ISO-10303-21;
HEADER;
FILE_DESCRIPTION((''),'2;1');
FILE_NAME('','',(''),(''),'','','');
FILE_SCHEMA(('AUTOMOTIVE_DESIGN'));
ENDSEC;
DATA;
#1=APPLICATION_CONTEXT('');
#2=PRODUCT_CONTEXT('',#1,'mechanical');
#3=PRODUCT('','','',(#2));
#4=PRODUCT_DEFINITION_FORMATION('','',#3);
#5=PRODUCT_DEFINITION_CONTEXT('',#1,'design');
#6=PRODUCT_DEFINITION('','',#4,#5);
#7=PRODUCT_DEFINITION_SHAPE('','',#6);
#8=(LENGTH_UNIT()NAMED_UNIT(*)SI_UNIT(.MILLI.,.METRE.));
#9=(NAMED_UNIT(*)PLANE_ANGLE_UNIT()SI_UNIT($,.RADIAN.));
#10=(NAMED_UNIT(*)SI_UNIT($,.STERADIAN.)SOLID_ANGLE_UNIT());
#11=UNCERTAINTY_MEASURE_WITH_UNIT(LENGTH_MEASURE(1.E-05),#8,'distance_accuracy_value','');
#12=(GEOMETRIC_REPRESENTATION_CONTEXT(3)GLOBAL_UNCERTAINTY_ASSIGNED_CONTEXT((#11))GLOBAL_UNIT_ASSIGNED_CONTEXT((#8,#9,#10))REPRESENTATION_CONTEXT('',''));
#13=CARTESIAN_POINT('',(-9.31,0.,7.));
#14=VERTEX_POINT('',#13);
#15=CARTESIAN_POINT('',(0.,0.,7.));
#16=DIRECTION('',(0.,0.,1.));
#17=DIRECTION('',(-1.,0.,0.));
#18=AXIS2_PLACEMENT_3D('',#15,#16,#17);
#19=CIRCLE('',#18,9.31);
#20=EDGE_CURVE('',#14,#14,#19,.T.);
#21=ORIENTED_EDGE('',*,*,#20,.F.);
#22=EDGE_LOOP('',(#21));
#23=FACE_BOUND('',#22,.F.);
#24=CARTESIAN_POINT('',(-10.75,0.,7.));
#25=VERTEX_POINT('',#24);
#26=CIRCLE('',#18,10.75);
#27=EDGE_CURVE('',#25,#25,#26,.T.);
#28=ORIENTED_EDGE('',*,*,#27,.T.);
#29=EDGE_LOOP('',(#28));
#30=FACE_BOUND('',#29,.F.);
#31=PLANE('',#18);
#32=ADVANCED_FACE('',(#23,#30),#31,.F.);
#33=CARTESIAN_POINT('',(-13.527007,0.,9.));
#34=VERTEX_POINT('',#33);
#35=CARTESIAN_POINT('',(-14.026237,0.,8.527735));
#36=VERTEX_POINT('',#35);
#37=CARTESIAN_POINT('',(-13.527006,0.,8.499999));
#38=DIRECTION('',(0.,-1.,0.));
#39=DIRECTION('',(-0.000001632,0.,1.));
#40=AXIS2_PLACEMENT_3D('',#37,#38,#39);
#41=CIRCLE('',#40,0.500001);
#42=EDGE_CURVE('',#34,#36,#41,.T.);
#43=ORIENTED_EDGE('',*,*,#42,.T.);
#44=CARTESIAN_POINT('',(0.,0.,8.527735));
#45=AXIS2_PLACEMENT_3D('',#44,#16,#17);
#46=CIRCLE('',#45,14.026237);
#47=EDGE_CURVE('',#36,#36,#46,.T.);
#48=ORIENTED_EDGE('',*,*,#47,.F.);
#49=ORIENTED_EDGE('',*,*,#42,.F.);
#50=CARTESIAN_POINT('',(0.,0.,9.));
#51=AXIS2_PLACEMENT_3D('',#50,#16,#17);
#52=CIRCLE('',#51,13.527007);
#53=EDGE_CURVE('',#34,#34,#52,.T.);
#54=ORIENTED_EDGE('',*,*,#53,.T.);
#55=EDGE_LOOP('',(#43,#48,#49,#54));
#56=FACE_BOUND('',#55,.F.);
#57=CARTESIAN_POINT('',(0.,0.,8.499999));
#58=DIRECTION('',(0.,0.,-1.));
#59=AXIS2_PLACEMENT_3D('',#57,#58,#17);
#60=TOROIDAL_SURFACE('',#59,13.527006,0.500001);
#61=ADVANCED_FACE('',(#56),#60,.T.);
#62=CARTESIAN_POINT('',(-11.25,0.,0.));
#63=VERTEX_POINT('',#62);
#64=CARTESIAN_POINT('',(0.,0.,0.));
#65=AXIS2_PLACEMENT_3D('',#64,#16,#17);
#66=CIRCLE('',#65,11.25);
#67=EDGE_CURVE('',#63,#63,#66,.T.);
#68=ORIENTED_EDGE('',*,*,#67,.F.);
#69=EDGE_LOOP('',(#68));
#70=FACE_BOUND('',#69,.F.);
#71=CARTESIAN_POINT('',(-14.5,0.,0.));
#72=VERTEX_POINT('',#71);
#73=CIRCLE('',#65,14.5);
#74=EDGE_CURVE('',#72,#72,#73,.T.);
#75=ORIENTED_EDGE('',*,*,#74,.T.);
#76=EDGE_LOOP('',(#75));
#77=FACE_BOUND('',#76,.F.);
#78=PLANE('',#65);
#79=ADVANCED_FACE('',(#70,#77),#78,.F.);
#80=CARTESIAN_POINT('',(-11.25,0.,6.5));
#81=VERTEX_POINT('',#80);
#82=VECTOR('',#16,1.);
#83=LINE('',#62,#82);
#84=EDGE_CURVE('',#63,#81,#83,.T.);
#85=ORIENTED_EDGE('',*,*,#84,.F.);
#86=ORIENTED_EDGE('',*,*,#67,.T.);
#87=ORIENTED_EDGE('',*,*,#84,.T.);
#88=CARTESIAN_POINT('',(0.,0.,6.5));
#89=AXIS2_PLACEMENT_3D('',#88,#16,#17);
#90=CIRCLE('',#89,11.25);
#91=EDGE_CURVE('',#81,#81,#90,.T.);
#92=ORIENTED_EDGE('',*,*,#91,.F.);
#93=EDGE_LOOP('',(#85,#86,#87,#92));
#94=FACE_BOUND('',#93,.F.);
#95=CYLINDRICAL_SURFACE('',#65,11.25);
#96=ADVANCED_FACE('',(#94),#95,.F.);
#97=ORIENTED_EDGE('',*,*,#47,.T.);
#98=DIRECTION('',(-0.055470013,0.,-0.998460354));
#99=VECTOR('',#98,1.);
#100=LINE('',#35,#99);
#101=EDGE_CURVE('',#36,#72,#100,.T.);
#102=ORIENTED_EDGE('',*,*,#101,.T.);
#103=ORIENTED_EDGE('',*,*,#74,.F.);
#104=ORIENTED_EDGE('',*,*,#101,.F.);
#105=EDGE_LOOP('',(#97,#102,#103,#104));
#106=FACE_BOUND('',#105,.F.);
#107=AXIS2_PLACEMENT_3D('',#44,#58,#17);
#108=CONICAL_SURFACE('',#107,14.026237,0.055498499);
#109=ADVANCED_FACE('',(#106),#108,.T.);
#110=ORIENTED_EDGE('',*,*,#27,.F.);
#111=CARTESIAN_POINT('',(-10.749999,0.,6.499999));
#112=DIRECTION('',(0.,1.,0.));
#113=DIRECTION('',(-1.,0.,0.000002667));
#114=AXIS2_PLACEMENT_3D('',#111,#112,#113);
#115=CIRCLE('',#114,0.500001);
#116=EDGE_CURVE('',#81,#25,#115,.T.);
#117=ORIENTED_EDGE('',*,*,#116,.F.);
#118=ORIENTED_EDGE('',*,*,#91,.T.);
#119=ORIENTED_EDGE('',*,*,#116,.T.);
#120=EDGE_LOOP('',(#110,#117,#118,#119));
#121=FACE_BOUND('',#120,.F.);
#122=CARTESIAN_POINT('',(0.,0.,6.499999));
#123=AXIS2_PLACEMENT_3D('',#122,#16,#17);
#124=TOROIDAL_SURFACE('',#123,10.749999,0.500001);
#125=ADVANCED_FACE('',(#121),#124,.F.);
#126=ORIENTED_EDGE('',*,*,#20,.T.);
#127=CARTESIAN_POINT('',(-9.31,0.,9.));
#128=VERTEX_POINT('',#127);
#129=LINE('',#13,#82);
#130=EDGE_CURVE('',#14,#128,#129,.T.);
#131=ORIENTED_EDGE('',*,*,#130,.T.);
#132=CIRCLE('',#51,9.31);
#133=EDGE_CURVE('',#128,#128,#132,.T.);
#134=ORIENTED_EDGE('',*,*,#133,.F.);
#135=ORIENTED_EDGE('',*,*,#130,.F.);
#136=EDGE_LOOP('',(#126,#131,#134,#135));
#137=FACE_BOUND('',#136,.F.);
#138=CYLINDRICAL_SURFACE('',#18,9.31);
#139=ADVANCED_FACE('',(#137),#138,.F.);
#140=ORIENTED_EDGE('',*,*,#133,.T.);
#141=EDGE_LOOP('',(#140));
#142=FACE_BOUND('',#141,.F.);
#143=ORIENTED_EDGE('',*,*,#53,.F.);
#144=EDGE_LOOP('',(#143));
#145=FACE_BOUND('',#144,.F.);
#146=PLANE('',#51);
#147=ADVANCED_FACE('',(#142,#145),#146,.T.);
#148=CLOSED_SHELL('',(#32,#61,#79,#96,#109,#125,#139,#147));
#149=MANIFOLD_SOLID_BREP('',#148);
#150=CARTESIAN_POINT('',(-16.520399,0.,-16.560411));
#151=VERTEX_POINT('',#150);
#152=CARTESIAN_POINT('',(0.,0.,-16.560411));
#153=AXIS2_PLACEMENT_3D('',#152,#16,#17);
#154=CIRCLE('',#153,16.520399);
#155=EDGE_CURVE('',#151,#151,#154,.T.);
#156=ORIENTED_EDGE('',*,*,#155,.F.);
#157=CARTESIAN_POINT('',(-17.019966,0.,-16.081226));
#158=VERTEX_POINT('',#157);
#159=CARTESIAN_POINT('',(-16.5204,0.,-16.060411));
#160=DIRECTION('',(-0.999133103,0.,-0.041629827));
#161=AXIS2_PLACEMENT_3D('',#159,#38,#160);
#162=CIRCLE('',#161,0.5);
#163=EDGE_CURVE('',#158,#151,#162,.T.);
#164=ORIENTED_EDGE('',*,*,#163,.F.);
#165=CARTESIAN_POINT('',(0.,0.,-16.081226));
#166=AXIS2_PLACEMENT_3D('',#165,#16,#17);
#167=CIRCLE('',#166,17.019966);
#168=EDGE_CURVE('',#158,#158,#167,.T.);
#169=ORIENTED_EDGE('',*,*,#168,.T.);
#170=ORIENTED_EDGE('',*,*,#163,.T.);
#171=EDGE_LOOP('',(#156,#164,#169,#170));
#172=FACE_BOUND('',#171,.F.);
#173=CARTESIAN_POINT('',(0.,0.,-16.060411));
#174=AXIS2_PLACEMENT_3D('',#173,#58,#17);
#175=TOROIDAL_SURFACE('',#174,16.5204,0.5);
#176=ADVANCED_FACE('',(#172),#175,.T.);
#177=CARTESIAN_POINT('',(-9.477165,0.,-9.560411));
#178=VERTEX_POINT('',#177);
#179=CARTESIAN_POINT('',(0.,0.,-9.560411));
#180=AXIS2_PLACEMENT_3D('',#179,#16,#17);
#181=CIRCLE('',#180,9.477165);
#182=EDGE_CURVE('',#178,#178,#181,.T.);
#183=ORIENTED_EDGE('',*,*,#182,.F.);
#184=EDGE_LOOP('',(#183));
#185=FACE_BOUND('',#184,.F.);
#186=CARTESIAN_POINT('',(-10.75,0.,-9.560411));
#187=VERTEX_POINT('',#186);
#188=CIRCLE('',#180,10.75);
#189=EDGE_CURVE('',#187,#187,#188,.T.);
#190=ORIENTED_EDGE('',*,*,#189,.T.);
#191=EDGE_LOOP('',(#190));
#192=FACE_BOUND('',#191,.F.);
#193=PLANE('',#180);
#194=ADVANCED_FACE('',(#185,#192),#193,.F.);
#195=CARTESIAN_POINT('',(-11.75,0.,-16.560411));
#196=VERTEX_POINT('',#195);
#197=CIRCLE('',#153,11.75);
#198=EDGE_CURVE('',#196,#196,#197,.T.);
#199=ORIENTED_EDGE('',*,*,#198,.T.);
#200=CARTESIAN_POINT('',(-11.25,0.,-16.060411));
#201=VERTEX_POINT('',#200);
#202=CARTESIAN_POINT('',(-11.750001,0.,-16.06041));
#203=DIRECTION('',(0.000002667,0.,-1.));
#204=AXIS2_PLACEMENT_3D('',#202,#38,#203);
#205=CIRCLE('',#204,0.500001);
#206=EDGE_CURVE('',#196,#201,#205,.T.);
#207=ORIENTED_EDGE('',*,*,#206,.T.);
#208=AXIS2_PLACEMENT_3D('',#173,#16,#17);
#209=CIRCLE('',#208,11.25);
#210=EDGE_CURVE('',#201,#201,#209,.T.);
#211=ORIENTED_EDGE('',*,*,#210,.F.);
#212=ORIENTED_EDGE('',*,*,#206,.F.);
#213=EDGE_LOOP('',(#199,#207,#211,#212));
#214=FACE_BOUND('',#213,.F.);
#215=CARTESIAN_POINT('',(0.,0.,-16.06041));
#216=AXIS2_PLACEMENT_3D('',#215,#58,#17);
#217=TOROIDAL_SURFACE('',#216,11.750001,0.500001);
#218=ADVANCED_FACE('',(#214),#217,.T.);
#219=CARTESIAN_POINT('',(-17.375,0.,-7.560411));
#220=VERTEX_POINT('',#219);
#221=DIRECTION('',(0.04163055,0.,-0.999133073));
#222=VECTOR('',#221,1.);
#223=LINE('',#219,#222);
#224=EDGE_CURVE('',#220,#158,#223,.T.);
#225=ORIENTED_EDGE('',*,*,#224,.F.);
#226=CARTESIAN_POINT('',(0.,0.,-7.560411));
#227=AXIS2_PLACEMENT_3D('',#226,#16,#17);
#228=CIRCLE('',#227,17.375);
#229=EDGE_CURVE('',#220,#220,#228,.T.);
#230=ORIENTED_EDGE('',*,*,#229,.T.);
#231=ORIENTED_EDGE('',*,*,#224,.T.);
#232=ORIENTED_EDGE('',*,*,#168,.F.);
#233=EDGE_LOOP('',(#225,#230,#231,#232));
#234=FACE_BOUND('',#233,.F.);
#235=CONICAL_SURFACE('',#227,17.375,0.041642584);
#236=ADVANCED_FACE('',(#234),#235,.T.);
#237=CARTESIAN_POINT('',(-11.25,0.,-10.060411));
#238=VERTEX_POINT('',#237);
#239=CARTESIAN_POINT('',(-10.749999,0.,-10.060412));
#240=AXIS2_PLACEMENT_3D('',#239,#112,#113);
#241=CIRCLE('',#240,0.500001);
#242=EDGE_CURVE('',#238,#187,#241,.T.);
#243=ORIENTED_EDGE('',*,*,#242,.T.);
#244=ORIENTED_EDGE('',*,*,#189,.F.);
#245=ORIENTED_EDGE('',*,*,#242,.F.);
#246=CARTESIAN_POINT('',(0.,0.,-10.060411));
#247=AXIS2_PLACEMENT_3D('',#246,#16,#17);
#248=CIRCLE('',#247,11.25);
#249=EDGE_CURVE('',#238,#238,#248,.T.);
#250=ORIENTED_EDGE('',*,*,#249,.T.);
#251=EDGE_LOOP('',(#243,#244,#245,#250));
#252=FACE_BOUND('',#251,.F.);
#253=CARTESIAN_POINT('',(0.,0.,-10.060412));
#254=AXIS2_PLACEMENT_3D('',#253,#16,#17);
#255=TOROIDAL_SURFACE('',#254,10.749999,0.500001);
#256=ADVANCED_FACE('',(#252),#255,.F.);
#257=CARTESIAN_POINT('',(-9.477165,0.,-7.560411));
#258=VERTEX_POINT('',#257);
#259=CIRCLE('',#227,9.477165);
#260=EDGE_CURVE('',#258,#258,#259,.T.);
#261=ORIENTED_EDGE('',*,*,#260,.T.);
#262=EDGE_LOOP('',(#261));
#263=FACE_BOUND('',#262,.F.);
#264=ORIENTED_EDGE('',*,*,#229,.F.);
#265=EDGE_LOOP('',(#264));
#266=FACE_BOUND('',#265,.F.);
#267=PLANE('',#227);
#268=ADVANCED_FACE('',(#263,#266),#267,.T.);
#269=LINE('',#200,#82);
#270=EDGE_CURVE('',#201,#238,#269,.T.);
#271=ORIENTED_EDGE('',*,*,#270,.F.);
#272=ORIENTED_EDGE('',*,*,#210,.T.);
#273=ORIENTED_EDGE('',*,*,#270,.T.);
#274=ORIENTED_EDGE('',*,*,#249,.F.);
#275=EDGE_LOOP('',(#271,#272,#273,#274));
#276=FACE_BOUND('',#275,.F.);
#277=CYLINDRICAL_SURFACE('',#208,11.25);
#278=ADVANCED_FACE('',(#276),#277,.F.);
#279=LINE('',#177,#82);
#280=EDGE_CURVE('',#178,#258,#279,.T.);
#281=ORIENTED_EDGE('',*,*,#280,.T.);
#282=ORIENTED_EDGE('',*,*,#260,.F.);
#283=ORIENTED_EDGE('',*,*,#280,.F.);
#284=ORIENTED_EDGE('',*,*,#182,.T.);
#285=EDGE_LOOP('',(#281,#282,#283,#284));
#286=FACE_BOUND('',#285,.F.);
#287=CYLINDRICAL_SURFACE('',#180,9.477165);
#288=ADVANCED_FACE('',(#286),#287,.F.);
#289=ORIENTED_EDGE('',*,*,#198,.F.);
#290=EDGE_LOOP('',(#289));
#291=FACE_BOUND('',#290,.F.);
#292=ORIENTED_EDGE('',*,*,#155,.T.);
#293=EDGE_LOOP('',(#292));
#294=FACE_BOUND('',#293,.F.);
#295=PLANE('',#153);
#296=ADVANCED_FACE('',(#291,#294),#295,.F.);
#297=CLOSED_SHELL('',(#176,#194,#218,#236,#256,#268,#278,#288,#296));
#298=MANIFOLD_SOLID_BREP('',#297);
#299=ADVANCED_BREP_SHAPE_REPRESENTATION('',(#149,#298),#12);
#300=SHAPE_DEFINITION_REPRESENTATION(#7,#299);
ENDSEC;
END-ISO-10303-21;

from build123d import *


with BuildPart() as f1:
    # F0 (on Front) → F1 (revolve)
    with BuildSketch(Plane.XZ):
        with BuildLine():
            Line((-14.5, 0), (-11.25, 0))
            Line((-11.25, 0), (-11.25, 6.5))
            ThreePointArc((-11.25, 6.5), (-11.103553, 6.853553), (-10.75, 7))
            Line((-10.75, 7), (-9.31, 7))
            Line((-9.31, 7), (-9.31, 9))
            Line((-9.31, 9), (-11.31, 9))
            Line((-11.31, 9), (-13.527007, 9))
            ThreePointArc((-13.527007, 9), (-13.870614, 8.863227), (-14.026237, 8.527735))
            Line((-14.026237, 8.527735), (-14.5, 0))
        make_face()
        with BuildLine():
            Line((-11.25, -16.060411), (-11.25, -10.060411))
            ThreePointArc((-11.25, -10.060411), (-11.103553, -9.706858), (-10.75, -9.560411))
            Line((-10.75, -9.560411), (-9.477165, -9.560411))
            Line((-9.477165, -9.560411), (-9.477165, -7.560411))
            Line((-9.477165, -7.560411), (-17.375, -7.560411))
            Line((-17.375, -7.560411), (-17.019966, -16.081226))
            ThreePointArc((-17.019966, -16.081226), (-16.866515, -16.421249), (-16.520399, -16.560411))
            Line((-16.520399, -16.560411), (-11.75, -16.560411))
            ThreePointArc((-11.75, -16.560411), (-11.396447, -16.413964), (-11.25, -16.060411))
        make_face()
    revolve(axis=Axis((0, 0, 10.463975), (0, 0, 1)))


solid = f1.part
